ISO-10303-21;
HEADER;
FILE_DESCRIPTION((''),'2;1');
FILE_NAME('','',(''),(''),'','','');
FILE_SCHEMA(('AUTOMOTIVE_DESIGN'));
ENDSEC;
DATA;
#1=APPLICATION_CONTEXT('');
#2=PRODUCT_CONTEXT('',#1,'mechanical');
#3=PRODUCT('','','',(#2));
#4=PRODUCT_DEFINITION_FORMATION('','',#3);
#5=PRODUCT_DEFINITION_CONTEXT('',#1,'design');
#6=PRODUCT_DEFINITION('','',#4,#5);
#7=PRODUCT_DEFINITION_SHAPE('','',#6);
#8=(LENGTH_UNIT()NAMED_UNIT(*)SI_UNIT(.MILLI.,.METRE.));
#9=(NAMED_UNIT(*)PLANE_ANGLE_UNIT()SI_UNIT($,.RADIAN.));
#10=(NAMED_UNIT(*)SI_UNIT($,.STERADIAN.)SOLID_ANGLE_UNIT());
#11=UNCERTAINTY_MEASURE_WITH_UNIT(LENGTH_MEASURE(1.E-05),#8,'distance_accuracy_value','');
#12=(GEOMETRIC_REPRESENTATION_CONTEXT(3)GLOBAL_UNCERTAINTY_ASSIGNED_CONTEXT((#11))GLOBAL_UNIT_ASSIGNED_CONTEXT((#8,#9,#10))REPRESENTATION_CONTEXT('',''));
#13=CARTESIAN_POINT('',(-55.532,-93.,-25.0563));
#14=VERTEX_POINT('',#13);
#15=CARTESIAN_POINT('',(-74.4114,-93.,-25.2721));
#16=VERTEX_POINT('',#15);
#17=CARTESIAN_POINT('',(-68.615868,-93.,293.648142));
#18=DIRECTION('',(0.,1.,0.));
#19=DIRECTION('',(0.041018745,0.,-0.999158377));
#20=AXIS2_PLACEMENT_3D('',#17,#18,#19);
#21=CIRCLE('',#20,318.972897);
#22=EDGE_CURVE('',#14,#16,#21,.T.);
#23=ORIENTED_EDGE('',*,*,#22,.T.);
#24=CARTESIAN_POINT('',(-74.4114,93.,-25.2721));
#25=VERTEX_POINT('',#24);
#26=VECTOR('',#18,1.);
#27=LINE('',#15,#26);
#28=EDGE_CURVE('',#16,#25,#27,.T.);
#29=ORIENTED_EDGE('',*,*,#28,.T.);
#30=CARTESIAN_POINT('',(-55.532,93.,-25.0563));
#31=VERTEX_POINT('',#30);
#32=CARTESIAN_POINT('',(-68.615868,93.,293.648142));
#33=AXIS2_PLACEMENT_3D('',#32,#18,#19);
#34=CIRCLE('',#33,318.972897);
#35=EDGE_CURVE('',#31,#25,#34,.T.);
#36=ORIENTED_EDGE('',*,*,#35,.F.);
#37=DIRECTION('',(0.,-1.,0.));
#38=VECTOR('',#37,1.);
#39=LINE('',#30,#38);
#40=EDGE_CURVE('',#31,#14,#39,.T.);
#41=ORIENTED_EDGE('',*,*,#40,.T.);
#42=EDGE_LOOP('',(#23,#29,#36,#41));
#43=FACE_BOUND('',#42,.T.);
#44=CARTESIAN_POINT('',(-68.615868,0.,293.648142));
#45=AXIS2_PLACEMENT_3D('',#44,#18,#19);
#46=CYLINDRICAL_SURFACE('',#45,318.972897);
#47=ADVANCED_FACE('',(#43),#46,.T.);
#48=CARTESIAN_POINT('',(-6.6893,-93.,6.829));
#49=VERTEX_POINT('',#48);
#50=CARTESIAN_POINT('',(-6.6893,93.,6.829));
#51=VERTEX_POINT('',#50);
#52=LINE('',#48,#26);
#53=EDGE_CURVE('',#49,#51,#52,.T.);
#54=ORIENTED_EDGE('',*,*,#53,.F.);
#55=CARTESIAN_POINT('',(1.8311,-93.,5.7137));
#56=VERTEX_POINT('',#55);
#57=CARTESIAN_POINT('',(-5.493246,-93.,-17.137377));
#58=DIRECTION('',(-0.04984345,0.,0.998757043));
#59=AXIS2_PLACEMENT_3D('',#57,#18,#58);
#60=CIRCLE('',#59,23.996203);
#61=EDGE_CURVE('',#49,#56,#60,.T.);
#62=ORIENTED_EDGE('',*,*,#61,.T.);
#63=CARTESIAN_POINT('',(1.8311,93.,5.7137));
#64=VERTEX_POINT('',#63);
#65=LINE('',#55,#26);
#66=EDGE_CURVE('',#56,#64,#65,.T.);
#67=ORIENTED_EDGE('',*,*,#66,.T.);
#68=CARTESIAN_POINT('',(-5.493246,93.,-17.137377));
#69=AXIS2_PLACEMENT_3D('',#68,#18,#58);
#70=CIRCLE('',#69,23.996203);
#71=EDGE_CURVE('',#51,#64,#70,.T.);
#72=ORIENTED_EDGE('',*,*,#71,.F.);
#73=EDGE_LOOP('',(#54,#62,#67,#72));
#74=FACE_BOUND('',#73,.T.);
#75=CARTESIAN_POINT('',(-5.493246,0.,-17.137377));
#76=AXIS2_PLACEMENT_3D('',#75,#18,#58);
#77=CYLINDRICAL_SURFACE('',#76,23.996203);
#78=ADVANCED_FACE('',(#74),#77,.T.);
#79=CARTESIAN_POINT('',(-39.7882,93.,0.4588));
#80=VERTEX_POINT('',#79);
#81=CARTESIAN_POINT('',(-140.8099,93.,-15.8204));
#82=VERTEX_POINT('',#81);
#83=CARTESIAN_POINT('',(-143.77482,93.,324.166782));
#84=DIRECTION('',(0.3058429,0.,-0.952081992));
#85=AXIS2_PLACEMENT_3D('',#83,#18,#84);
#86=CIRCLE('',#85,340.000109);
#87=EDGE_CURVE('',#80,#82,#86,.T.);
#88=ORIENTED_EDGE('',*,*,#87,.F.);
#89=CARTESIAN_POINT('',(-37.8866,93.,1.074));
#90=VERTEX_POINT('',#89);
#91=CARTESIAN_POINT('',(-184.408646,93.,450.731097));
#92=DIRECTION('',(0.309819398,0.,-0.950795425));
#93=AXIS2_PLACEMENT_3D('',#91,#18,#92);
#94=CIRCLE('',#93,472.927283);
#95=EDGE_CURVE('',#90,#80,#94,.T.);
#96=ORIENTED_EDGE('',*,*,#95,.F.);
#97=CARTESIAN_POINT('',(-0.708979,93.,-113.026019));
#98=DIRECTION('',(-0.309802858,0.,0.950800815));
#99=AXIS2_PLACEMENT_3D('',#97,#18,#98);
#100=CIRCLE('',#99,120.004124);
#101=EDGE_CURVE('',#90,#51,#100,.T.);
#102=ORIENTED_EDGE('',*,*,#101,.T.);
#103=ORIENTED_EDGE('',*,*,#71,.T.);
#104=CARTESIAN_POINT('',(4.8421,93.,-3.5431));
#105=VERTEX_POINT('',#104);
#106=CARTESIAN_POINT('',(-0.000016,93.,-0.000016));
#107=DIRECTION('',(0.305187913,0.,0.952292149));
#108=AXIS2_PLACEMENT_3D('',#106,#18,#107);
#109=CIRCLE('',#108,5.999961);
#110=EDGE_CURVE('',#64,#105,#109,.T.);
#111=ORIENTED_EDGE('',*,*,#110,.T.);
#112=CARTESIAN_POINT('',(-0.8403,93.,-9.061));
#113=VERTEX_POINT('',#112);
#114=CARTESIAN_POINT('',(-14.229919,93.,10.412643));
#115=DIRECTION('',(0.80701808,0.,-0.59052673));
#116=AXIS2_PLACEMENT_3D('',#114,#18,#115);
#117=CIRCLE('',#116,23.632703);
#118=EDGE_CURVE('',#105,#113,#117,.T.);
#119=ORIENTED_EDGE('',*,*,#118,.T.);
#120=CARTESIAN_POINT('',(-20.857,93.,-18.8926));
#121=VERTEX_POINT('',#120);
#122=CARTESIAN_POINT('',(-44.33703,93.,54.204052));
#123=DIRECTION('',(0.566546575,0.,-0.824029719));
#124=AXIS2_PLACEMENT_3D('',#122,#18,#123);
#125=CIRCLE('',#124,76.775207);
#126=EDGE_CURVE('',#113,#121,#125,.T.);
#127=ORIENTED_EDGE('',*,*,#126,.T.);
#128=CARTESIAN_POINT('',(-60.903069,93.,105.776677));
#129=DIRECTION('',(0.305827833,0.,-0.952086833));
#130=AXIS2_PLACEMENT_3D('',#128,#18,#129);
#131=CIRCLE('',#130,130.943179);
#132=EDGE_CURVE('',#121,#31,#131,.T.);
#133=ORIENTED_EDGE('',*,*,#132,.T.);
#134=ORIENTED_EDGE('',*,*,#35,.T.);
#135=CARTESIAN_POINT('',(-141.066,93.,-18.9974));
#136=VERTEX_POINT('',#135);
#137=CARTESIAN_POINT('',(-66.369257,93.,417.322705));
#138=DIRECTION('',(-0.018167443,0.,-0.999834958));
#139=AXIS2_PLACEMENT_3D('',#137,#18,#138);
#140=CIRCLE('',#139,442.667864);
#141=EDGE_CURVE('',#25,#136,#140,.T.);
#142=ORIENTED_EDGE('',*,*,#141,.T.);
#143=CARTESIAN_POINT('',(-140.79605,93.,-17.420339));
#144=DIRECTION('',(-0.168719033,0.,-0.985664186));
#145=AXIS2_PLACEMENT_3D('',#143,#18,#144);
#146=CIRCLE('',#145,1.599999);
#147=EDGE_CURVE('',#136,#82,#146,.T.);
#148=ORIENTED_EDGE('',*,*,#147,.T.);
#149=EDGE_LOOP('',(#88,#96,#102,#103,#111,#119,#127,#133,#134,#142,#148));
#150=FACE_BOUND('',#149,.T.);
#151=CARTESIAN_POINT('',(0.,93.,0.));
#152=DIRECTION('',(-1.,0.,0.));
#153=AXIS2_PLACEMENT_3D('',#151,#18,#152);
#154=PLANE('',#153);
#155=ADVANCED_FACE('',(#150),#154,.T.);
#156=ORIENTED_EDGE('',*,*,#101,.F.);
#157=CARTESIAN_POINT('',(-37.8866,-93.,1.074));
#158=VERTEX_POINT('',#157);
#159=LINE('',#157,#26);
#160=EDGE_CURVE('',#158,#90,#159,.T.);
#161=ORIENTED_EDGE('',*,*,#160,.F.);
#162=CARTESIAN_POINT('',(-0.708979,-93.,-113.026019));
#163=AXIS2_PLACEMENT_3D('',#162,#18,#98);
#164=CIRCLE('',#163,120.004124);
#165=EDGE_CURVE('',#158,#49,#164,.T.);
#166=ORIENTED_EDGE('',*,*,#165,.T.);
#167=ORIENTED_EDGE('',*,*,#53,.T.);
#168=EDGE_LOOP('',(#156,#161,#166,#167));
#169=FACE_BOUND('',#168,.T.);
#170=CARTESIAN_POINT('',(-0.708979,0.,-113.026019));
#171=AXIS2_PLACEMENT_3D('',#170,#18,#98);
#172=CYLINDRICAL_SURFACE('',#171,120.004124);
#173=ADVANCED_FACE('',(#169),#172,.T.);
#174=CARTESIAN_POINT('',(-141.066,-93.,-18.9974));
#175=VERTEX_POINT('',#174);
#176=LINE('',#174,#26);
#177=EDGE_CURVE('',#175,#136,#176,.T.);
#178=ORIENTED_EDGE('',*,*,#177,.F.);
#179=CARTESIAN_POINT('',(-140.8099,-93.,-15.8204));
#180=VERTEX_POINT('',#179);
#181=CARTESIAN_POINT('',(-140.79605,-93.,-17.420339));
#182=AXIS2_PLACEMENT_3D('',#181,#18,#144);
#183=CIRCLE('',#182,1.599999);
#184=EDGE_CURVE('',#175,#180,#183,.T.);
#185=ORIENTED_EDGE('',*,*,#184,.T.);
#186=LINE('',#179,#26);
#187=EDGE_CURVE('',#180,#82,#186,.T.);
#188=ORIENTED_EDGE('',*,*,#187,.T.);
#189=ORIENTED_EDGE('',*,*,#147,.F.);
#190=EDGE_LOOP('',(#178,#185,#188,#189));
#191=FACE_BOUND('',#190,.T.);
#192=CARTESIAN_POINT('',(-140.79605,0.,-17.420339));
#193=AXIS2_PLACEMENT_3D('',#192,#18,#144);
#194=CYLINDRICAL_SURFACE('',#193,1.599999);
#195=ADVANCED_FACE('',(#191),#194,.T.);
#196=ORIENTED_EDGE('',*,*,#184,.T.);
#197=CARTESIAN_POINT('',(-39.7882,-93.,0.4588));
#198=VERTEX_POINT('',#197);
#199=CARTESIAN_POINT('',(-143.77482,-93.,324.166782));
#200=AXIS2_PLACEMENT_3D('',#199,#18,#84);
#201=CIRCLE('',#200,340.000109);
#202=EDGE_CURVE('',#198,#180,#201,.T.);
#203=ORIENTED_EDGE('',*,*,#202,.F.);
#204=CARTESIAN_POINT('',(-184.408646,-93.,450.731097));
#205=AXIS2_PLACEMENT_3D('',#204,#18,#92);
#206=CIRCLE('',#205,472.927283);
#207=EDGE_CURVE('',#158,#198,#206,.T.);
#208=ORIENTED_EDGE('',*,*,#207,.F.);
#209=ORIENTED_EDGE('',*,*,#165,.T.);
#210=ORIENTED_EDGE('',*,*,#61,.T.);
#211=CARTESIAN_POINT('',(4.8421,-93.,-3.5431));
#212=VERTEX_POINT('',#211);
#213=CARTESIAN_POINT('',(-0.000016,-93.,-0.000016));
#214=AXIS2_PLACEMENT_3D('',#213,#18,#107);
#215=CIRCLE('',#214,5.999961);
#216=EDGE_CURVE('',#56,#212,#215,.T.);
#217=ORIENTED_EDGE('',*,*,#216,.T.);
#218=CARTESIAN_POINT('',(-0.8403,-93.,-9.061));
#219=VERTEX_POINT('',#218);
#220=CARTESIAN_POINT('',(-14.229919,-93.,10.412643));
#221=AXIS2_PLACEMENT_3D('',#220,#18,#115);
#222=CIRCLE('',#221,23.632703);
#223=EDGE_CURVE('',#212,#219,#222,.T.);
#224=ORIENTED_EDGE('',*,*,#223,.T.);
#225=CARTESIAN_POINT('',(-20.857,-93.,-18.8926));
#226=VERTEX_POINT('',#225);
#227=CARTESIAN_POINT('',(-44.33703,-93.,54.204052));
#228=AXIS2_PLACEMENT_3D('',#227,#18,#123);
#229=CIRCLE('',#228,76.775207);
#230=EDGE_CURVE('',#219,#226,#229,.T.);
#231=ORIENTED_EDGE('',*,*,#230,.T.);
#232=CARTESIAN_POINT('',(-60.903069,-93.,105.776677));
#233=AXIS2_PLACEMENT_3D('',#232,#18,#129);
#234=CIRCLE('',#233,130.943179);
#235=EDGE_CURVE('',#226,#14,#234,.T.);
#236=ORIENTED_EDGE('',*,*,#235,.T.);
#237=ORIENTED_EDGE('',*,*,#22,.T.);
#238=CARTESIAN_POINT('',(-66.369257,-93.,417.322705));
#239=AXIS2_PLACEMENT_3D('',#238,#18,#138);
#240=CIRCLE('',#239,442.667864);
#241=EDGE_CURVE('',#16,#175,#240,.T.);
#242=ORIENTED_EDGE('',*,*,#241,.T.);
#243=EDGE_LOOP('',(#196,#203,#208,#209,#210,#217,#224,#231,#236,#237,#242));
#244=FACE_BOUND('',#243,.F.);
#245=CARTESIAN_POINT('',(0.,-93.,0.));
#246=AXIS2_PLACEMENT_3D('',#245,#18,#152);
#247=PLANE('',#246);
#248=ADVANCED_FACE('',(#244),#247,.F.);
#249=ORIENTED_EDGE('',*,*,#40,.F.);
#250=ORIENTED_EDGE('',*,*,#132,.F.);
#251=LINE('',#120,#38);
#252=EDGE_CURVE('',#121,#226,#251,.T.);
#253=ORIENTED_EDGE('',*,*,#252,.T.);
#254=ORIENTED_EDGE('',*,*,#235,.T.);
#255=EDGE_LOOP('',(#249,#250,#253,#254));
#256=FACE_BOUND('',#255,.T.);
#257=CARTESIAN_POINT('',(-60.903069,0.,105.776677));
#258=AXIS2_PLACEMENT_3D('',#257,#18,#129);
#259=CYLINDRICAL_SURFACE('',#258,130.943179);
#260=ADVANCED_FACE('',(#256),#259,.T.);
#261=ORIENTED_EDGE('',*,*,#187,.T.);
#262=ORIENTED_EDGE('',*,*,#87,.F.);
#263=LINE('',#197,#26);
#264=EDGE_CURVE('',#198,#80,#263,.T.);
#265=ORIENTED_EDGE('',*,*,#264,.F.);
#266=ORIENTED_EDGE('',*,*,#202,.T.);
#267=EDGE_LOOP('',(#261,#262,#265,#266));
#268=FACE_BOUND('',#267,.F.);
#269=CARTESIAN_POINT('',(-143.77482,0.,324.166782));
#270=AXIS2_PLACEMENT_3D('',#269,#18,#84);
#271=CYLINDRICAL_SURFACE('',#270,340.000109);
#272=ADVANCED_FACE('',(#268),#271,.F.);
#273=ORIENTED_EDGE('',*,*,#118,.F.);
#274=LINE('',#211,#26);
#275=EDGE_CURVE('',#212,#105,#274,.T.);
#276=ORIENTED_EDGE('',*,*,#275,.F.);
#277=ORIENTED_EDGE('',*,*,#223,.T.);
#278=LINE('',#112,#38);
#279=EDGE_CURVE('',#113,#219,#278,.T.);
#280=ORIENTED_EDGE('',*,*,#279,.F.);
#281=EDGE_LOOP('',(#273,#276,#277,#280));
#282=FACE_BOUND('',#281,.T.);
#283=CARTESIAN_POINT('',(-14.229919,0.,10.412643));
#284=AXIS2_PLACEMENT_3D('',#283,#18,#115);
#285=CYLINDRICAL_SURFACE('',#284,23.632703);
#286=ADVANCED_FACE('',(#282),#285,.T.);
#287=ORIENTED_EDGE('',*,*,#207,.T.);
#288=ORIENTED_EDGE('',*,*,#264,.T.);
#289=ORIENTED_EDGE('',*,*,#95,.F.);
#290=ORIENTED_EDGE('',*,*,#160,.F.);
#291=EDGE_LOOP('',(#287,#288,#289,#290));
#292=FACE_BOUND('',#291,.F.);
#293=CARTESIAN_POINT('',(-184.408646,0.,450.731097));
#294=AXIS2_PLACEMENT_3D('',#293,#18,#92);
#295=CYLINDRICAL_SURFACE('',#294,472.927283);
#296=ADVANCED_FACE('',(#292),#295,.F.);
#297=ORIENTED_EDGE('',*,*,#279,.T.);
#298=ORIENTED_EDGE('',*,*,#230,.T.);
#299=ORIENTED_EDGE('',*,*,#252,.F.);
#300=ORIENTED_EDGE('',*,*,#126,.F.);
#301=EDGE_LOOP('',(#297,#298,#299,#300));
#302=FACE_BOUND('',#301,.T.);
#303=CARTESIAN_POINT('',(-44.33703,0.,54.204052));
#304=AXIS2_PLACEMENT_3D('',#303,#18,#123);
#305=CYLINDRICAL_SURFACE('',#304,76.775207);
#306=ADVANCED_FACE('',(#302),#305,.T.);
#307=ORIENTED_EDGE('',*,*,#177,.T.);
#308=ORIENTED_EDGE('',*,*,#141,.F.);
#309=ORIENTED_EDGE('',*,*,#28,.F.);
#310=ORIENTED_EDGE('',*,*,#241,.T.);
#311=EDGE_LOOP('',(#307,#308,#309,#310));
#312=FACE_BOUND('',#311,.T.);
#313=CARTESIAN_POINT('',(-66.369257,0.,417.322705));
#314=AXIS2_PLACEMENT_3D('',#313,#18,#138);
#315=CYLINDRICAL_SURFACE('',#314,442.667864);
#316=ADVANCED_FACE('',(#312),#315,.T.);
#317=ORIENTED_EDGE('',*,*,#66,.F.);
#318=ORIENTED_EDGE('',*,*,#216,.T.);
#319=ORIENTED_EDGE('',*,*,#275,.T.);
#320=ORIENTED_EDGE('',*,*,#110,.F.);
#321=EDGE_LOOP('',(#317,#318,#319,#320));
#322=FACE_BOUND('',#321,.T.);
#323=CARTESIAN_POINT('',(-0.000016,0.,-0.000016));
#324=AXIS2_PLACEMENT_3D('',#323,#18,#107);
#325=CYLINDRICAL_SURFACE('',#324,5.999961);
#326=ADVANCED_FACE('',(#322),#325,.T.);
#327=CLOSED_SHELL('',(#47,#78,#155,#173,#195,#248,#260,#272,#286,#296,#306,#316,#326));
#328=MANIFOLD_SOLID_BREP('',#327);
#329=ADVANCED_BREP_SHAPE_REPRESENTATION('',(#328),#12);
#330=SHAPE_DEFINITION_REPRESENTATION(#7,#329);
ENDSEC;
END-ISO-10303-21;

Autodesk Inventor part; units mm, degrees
ref_plane "YZ Plane" through (0, 0, 0) normal (1, 0, 0) x (0, 1, 0)
ref_plane "XZ Plane" through (0, 0, 0) normal (0, 1, 0) x (-1, 0, 0)
ref_plane "XY Plane" through (0, 0, 0) normal (0, 0, 1) x (1, 0, 0)
sketch "スケッチ1" plane through (0, 0, 0) normal (0, 1, 0) x (-1, 0, 0)
  circle A0 centre (8.3156, -0.3779) radius 3 projected
  circle A1 centre (94.4018, -18.6304) radius 3 projected
  arc A2 (74.4114, -25.2721) -> (141.066, -18.9974) centre (66.3691, 417.3255) ccw projected
  arc A3 (55.532, -25.0563) -> (74.4114, -25.2721) centre (68.6162, 293.6608) ccw projected
  arc A4 (20.857, -18.8926) -> (55.532, -25.0563) centre (60.903, 105.7764) ccw projected
  arc A5 (0.8403, -9.061) -> (20.857, -18.8926) centre (44.337, 54.204) ccw projected
  arc A6 (-4.8421, -3.5431) -> (0.8403, -9.061) centre (14.2278, 10.4108) ccw projected
  arc A7 (-1.8311, 5.7137) -> (-4.8421, -3.5431) centre (0, 0) ccw projected
  arc A8 (6.6893, 6.829) -> (-1.8311, 5.7137) centre (5.4934, -17.1412) ccw projected
  arc A9 (37.8866, 1.074) -> (6.6893, 6.829) centre (0.71, -113.022) ccw projected
  arc A10 (37.8866, 1.074) -> (39.7882, 0.4588) centre (186.5928, 457.4581) ccw projected
  arc A11 (39.7882, 0.4588) -> (140.8099, -15.8204) centre (143.7748, 324.1667) ccw projected
  arc A12 (141.066, -18.9974) -> (140.8099, -15.8204) centre (140.796, -17.4203) ccw projected
  point P0 (0, 0)
extrude "押し出し1" add sketch "スケッチ1" along normal mid plane 186 contours A0 | A1 | A3 A4 A5 A6 A7 A8 A9 A10 A11 A12 A2
properties part number "subflap"
